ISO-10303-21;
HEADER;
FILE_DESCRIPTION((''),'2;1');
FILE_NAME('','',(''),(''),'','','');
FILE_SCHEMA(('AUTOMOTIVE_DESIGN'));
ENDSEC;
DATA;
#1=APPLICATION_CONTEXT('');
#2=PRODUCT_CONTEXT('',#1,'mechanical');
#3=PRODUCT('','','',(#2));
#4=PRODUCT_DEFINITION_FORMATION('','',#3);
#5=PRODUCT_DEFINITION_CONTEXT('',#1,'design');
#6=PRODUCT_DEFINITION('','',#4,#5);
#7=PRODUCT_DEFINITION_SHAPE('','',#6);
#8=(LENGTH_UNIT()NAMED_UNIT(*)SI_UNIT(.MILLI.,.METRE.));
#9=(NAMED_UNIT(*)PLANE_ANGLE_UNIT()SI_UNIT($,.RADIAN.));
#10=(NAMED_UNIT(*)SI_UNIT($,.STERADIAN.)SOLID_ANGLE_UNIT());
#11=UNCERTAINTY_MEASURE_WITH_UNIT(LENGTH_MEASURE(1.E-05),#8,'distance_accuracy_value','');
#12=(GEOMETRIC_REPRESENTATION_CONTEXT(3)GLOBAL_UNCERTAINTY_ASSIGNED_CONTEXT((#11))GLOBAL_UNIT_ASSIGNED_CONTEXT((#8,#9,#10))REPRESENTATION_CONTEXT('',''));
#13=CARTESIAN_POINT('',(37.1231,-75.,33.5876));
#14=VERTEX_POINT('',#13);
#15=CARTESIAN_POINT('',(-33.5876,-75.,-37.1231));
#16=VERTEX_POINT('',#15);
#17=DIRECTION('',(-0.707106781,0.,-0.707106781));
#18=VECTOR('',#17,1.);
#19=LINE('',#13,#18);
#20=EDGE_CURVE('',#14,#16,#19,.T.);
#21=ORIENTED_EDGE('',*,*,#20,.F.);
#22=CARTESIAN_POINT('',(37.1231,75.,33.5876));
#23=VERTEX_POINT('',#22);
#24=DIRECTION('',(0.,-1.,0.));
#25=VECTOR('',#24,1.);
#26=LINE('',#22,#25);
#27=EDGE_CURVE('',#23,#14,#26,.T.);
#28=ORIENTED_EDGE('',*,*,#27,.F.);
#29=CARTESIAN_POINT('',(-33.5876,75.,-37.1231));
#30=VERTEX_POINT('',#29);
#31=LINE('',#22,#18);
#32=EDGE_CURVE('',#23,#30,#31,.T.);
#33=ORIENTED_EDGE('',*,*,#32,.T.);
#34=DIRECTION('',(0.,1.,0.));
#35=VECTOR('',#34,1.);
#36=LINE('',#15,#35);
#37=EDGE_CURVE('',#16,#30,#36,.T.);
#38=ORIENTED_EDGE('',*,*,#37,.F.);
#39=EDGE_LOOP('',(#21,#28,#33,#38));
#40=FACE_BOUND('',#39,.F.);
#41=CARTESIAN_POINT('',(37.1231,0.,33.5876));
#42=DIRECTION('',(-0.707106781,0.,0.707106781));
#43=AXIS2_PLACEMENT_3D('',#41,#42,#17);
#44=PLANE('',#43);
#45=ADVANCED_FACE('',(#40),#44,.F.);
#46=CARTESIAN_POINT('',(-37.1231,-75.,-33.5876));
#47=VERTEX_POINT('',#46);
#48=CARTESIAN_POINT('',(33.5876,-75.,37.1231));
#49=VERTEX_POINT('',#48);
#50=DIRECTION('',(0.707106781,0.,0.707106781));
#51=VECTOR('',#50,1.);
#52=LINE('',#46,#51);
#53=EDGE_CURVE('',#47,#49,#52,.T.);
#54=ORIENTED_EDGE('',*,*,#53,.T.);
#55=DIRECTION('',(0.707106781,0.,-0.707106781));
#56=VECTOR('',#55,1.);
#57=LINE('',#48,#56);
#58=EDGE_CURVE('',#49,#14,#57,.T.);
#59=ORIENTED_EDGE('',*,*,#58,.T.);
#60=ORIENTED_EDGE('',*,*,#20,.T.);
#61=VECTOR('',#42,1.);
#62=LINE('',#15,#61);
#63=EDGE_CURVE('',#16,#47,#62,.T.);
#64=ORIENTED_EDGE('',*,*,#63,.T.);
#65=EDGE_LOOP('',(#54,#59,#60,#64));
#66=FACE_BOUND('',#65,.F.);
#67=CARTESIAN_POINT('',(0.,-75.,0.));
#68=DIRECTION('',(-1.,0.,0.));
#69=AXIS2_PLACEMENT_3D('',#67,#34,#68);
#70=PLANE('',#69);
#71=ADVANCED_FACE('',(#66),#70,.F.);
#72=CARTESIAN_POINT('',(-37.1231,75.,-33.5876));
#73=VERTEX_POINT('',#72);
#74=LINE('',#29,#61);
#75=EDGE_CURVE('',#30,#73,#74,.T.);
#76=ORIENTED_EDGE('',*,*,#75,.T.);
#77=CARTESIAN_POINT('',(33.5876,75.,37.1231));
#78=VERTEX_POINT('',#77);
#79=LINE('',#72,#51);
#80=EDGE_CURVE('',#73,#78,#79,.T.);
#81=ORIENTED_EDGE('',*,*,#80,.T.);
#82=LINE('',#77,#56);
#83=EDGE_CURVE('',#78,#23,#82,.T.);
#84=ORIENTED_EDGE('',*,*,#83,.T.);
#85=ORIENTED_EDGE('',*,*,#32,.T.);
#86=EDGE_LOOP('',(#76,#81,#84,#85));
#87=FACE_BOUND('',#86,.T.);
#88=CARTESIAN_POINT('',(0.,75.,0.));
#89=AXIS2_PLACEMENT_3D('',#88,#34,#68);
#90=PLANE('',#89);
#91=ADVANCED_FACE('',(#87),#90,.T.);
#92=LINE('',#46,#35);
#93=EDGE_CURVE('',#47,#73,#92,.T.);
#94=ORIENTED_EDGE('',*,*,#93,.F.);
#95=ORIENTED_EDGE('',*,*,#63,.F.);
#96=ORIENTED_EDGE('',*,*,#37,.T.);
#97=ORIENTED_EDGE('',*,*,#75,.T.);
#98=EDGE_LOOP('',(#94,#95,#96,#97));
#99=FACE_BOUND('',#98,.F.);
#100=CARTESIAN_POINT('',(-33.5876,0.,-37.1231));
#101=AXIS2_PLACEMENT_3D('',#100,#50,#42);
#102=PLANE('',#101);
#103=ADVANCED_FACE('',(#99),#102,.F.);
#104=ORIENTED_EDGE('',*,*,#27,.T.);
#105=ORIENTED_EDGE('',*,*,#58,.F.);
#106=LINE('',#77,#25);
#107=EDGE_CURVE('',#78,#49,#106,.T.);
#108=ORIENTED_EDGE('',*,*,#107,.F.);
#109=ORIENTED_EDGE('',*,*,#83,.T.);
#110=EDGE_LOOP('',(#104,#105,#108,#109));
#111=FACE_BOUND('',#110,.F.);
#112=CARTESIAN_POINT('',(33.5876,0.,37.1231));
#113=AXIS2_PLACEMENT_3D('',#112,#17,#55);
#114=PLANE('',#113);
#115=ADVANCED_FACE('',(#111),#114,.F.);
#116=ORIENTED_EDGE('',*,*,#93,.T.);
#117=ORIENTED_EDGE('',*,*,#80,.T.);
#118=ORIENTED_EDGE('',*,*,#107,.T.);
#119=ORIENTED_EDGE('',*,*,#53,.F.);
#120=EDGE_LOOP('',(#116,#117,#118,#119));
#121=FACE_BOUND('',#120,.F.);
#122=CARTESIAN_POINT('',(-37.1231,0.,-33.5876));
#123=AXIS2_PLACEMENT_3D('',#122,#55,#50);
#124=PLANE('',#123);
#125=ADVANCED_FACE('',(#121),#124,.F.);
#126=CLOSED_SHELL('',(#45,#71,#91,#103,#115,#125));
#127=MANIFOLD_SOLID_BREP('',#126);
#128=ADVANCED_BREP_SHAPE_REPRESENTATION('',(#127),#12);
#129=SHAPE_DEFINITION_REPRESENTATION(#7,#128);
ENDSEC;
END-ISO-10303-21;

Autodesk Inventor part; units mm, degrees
ref_plane "YZ Plane" through (0, 0, 0) normal (1, 0, 0) x (0, 1, 0)
ref_plane "XZ Plane" through (0, 0, 0) normal (0, 1, 0) x (-1, 0, 0)
ref_plane "XY Plane" through (0, 0, 0) normal (0, 0, 1) x (1, 0, 0)
sketch "Skizze1" plane through (0, 0, 0) normal (0, 1, 0) x (-1, 0, 0)
  line L0 (33.5876, -37.1231) -> (37.1231, -33.5876)
  line L1 (37.1231, -33.5876) -> (-33.5876, 37.1231)
  line L2 (-33.5876, 37.1231) -> (-37.1231, 33.5876)
  line L3 (-37.1231, 33.5876) -> (33.5876, -37.1231)
  line L4 (33.5876, -37.1231) -> (-33.5876, 37.1231) construction
  line L5 (37.1231, -33.5876) -> (-37.1231, 33.5876) construction
  line L6 (33.5876, -37.1231) -> (38.5876, -37.1231) construction
  point P0 (0, 0)
  dimension "d0" = 5
  dimension "d1" = 45
  dimension "d2" = 100
extrude "Extrusion1" add sketch "Skizze1" along normal mid plane 150
properties part number "InclinePlate"
